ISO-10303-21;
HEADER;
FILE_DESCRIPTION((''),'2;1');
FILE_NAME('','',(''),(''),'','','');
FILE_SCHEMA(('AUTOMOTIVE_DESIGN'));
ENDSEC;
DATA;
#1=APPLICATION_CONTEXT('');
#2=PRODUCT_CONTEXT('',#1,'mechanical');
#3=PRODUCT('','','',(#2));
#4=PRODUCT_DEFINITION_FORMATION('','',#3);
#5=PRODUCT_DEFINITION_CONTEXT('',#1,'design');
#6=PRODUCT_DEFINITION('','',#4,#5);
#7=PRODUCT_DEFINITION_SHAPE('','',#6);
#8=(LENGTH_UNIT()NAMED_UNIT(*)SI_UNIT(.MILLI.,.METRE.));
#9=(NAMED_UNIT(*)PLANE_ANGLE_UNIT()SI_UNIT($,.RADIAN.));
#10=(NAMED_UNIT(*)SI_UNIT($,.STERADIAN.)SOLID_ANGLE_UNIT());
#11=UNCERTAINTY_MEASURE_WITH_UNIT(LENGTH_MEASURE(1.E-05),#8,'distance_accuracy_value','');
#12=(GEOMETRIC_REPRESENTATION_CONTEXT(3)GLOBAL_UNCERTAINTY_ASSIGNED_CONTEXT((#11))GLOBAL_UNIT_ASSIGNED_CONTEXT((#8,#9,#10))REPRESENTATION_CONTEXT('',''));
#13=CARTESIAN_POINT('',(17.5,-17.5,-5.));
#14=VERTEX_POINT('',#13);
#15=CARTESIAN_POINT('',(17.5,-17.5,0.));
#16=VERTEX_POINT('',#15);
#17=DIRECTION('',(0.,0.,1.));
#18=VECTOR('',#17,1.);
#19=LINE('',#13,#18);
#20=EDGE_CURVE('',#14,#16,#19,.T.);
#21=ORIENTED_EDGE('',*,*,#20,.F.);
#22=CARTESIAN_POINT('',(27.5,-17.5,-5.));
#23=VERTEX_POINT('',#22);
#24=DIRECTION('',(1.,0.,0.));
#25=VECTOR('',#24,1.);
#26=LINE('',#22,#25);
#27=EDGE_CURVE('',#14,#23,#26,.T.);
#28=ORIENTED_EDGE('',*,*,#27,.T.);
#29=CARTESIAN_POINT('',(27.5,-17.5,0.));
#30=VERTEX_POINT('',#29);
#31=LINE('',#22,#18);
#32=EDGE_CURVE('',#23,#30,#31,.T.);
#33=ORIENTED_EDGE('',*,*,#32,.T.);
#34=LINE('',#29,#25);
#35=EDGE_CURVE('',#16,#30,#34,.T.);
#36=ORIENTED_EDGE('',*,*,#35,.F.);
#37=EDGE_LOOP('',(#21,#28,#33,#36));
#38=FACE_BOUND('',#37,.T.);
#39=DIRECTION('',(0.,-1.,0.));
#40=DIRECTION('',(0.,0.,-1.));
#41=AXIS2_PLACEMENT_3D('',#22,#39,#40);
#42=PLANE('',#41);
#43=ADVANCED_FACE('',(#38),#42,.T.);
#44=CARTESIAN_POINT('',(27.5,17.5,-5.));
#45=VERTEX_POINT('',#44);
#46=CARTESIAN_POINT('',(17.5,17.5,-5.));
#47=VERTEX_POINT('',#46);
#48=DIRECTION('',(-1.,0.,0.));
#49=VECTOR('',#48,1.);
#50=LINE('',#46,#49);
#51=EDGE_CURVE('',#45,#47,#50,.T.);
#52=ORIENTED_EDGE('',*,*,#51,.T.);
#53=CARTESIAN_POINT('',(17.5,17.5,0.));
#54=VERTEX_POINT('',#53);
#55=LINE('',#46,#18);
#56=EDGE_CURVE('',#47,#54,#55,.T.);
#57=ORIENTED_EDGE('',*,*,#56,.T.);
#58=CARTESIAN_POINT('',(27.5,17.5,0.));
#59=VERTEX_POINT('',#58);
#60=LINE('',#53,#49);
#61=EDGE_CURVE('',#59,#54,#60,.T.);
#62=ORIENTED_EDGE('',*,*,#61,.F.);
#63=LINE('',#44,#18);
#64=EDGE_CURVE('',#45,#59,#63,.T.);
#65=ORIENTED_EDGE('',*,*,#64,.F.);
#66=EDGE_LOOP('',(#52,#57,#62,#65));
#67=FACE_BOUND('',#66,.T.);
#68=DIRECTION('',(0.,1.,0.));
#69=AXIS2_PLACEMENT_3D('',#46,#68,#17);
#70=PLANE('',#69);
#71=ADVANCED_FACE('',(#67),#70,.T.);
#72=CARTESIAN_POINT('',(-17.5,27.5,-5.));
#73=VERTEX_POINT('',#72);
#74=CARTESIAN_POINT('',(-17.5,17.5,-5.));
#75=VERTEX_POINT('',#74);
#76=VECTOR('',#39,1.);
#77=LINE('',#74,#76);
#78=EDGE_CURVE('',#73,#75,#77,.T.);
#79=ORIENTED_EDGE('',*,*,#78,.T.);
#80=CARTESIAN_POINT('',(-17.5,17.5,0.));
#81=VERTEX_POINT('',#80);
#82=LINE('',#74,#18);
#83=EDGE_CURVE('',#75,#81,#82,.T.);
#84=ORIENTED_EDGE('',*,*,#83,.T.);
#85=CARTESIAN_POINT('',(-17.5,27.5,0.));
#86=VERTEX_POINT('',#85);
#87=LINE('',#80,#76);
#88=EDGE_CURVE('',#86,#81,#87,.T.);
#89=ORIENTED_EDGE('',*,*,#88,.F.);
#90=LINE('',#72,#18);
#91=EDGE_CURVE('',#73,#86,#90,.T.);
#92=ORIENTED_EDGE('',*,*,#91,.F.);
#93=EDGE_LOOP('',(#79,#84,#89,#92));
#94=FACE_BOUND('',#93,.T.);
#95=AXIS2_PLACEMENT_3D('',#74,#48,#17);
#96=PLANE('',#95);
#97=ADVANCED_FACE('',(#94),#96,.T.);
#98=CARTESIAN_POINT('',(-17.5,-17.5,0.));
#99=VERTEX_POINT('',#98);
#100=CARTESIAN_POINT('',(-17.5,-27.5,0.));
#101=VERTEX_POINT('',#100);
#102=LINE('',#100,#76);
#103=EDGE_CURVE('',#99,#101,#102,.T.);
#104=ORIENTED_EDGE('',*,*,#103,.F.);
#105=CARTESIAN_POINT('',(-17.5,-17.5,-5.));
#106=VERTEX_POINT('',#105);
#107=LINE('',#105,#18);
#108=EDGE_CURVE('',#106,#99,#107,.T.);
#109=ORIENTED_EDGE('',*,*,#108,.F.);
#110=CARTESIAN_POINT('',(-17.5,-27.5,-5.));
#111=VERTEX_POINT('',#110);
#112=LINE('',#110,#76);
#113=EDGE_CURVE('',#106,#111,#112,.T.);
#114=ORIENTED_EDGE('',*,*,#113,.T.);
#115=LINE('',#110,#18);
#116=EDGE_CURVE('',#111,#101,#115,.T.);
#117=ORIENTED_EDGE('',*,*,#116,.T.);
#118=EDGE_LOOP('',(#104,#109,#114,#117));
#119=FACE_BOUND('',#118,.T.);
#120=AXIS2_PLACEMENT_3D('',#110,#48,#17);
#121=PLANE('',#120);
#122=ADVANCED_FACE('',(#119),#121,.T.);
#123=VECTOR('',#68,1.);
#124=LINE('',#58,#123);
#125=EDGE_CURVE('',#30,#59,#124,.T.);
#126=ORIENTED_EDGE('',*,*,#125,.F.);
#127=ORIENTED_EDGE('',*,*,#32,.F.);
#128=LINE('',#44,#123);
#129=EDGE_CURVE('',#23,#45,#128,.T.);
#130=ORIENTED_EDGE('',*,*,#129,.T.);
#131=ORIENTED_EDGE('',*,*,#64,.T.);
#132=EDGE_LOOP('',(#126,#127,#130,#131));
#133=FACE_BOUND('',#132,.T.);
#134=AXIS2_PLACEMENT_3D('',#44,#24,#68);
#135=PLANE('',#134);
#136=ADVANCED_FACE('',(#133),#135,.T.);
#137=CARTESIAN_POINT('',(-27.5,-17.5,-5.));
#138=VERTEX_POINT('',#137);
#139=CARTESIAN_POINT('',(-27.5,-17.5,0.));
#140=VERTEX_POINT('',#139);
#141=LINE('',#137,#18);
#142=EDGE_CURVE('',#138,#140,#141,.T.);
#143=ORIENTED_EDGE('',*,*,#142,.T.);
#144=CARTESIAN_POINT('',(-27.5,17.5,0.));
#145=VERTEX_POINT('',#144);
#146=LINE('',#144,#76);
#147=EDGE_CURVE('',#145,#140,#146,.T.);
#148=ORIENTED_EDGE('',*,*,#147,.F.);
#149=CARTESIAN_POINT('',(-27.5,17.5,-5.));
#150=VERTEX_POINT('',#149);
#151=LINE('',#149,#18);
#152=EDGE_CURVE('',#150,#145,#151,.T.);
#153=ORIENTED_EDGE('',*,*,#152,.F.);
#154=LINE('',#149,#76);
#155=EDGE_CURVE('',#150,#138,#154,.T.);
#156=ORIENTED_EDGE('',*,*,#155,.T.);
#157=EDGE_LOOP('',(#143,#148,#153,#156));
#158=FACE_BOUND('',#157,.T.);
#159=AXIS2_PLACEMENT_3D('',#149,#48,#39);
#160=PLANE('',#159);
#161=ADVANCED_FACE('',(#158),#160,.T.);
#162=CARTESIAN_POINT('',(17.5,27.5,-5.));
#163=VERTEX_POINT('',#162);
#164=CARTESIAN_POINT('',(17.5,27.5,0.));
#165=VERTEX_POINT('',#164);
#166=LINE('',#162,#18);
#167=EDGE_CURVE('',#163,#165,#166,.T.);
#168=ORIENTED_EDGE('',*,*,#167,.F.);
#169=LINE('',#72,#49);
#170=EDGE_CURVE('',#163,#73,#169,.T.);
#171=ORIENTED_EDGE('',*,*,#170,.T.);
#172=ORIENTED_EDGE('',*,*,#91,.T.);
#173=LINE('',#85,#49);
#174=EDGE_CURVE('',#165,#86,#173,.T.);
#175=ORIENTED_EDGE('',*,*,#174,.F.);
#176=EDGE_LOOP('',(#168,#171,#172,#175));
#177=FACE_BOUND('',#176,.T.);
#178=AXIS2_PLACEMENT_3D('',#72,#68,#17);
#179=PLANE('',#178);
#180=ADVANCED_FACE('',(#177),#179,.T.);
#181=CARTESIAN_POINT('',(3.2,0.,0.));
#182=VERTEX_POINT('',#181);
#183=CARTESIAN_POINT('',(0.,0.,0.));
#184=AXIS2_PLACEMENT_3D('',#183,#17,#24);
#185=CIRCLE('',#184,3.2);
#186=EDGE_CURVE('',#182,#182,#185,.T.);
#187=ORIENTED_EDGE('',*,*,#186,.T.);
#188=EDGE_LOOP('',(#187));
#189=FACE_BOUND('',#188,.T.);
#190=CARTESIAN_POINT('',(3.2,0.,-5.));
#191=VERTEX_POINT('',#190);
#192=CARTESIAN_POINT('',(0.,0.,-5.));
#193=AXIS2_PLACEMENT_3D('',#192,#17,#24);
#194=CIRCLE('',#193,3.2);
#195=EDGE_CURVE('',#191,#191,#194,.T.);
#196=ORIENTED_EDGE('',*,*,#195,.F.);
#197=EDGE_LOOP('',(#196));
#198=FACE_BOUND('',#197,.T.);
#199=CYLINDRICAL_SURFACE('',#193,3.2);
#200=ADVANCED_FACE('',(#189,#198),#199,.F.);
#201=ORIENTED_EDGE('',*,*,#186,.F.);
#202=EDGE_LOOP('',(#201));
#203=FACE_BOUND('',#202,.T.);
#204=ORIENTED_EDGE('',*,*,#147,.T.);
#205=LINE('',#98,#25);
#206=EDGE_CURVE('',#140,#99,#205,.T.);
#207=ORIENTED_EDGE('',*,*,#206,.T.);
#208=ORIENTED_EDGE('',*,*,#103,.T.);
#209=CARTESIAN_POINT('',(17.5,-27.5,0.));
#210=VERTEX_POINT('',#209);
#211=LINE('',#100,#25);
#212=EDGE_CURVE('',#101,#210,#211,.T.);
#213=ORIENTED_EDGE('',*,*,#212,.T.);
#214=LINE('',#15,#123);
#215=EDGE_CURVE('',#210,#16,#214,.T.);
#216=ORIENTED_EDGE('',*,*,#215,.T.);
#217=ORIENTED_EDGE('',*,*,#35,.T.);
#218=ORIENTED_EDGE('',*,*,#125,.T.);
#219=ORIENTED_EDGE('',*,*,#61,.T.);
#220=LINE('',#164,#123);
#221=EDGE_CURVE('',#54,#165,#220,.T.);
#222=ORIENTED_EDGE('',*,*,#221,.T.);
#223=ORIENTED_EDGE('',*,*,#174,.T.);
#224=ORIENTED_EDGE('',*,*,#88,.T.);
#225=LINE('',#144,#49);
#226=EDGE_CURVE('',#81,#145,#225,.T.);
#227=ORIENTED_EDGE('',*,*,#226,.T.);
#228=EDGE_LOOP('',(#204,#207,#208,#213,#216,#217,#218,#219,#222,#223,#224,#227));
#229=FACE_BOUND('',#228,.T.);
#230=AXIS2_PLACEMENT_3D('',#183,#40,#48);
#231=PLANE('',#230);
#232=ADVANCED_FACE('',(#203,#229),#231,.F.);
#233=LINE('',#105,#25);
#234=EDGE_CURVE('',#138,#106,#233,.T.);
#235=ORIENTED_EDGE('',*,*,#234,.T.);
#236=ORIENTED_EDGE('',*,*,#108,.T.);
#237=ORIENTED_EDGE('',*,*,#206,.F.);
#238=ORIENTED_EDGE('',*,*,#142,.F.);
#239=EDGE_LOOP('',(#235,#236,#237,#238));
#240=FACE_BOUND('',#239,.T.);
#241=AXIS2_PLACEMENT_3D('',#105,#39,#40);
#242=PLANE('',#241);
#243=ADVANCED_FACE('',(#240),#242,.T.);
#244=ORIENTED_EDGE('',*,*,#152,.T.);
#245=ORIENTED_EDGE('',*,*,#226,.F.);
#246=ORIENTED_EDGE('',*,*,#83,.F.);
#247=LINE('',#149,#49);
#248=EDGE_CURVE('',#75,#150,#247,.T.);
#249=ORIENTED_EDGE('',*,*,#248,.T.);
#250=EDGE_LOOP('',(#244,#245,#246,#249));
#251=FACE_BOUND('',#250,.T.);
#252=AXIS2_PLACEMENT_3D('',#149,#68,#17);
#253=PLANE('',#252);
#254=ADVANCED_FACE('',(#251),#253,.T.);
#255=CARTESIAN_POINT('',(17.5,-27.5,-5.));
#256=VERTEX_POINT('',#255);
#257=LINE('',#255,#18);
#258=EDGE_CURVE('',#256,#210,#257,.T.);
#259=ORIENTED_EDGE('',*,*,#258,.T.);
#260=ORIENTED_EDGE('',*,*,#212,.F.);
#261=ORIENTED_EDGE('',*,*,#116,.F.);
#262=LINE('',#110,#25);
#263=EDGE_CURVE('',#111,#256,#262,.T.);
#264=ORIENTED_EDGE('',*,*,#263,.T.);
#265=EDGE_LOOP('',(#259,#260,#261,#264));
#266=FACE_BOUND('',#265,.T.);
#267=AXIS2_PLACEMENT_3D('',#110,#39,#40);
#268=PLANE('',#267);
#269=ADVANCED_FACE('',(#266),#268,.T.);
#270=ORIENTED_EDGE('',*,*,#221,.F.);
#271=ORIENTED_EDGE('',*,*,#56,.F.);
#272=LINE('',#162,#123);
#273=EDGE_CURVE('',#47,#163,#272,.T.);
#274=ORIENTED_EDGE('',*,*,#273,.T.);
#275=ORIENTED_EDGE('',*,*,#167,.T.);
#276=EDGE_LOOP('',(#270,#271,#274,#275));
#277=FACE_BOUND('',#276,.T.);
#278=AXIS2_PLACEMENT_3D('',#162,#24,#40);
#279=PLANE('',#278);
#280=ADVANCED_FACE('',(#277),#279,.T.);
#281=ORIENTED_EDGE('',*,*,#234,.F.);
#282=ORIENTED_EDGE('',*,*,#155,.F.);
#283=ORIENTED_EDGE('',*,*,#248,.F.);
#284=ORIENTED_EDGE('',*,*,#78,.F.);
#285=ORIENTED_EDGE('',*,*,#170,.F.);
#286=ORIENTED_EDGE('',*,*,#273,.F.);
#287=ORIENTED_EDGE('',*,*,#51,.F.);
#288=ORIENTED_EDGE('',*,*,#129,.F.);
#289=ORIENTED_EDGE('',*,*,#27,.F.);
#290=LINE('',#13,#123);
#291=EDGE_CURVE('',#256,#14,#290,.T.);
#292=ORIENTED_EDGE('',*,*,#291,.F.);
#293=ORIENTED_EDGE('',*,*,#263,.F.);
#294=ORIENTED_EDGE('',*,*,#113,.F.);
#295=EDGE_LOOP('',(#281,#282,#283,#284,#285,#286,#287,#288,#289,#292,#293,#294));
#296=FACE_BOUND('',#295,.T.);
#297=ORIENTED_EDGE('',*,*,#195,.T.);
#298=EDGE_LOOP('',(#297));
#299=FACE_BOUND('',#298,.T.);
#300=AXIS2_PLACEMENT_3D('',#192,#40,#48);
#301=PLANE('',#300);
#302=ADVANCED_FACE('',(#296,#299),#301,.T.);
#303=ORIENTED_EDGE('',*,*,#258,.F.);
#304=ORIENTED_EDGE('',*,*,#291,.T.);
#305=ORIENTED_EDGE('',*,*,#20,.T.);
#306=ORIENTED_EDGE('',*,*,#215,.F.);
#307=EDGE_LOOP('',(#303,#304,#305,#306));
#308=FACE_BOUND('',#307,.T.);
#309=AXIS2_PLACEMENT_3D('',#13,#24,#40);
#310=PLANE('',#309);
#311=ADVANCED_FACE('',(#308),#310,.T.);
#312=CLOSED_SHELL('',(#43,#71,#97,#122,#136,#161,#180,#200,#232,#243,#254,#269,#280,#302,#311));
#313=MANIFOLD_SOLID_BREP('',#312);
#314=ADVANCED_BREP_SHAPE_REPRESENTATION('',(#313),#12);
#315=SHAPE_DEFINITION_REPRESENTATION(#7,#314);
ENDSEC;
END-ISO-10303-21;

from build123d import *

# Parameters (mm, degrees)
SKETCH1_R           = 3.2
BOSS_EXTRUDE1_DEPTH = 5


with BuildPart() as part:
    # Sketch1 → Boss-Extrude1 (new body)
    with BuildSketch(Plane.XY):
        Polygon((-17.5, 27.5), (17.5, 27.5), (17.5, 17.5), (27.5, 17.5), (27.5, -17.5), (17.5, -17.5), (17.5, -27.5), (-17.5, -27.5), (-17.5, -17.5), (-27.5, -17.5), (-27.5, 17.5), (-17.5, 17.5), align=None)
        Circle(SKETCH1_R, mode=Mode.SUBTRACT)
    extrude(amount=-BOSS_EXTRUDE1_DEPTH)


solid = part.part
